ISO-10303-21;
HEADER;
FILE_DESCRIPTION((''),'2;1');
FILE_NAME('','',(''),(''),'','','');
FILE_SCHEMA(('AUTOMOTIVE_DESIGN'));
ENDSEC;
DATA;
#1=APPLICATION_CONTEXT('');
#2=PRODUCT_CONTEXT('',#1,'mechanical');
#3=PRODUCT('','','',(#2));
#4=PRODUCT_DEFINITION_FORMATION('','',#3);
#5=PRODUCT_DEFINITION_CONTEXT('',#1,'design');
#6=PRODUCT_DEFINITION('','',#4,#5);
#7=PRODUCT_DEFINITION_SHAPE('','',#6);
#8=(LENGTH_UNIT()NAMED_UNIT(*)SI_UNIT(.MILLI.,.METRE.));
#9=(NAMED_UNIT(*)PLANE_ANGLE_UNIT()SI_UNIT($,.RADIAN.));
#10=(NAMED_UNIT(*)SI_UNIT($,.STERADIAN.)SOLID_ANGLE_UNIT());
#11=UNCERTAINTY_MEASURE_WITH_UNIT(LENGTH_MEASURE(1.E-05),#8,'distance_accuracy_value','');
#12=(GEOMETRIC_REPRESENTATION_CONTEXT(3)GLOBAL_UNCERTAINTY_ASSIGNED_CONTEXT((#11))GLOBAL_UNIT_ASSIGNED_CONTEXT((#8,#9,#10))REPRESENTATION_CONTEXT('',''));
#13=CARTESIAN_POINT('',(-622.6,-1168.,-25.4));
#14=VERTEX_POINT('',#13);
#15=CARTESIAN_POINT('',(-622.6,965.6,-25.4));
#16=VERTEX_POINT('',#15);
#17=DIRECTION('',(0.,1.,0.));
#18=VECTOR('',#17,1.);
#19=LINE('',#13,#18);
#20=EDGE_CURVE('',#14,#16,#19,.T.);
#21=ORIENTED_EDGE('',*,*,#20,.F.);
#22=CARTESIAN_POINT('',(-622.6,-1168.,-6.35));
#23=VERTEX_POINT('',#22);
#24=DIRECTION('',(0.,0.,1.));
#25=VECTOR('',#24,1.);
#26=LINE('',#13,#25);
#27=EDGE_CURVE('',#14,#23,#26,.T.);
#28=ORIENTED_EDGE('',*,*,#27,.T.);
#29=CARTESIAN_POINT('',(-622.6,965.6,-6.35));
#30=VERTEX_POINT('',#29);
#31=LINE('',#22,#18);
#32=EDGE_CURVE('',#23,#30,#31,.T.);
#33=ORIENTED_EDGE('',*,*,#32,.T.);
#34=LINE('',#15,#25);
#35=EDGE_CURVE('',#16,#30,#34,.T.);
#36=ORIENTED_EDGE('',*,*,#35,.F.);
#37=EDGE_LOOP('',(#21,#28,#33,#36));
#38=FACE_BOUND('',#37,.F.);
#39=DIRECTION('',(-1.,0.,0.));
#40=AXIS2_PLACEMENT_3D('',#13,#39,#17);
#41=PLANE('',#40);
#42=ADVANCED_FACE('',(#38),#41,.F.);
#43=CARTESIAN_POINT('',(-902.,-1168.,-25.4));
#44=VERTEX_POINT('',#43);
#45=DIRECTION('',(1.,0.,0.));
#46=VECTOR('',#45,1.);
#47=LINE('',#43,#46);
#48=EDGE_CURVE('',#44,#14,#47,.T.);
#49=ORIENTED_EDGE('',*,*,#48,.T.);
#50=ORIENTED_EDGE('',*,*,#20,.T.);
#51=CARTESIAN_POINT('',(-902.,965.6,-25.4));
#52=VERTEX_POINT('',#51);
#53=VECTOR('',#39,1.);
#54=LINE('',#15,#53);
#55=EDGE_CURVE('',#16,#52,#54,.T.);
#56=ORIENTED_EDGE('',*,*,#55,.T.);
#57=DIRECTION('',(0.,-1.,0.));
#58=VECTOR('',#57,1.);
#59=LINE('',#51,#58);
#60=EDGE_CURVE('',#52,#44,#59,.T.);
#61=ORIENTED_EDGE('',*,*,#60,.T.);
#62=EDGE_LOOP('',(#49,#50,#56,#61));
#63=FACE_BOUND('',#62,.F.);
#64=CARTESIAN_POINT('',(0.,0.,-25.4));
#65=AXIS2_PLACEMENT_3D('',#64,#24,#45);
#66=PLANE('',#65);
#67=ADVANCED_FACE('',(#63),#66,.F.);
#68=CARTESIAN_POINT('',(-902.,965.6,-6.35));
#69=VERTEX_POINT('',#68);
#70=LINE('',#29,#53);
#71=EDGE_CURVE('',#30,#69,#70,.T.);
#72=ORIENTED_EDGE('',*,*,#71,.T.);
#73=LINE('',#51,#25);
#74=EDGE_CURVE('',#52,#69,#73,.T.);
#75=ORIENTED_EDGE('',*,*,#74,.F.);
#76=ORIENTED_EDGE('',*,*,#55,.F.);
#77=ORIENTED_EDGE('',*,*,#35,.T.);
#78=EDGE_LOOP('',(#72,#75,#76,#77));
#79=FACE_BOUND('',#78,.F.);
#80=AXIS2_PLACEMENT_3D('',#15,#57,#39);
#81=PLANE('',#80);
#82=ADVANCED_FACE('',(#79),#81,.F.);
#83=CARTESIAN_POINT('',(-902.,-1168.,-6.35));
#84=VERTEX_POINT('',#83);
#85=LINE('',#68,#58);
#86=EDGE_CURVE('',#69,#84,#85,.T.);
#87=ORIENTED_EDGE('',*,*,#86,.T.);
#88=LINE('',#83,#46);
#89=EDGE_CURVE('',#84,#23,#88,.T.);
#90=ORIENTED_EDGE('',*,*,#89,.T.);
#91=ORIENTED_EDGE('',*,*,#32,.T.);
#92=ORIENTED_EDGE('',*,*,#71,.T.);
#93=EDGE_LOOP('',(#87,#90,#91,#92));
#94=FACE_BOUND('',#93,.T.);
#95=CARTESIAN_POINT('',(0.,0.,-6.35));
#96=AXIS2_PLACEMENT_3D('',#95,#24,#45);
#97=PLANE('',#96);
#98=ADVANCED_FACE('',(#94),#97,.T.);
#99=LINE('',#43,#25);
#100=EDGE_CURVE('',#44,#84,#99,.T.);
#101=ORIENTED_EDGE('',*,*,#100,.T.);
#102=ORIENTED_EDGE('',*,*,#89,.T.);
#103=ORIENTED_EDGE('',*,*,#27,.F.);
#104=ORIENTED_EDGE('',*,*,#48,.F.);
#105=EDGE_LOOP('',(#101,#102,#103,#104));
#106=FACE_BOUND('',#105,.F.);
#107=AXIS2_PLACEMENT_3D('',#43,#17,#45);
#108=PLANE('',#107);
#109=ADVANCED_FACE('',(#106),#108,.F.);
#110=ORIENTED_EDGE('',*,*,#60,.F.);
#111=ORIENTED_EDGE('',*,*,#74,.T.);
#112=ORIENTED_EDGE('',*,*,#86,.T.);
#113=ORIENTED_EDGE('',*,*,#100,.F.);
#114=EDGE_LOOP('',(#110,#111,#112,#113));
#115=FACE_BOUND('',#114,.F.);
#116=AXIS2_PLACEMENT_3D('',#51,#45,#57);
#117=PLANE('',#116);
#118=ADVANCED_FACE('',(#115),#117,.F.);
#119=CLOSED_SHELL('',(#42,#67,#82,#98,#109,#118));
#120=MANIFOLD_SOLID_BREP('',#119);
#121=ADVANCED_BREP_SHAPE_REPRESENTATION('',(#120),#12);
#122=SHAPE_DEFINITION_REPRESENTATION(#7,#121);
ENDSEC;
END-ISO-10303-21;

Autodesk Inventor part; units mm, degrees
ref_plane "YZ Plane" through (0, 0, 0) normal (1, 0, 0) x (0, 1, 0)
ref_plane "XZ Plane" through (0, 0, 0) normal (0, 1, 0) x (-1, 0, 0)
ref_plane "XY Plane" through (0, 0, 0) normal (0, 0, 1) x (1, 0, 0)
ref_plane "Work Plane3" through (0, 0, -25.4) normal (0, 0, 1) x (1, 0, 0)
sketch "Sketch1" plane through (0, 0, -25.4) normal (0, 0, 1) x (1, 0, 0)
  line L0 (-902, -1168) -> (-622.6, -1168)
  line L1 (-622.6, -1168) -> (-622.6, 965.6)
  line L2 (-622.6, 965.6) -> (-902, 965.6)
  line L3 (-902, 965.6) -> (-902, -1168)
  point P0 (0, 0)
  dimension "d0" = 279.4
  dimension "d1" = 2133.6
extrude "Extrusion1" add sketch "Sketch1" along normal blind 19.05
properties part number "SH.1" material "Wood (Birch)"
